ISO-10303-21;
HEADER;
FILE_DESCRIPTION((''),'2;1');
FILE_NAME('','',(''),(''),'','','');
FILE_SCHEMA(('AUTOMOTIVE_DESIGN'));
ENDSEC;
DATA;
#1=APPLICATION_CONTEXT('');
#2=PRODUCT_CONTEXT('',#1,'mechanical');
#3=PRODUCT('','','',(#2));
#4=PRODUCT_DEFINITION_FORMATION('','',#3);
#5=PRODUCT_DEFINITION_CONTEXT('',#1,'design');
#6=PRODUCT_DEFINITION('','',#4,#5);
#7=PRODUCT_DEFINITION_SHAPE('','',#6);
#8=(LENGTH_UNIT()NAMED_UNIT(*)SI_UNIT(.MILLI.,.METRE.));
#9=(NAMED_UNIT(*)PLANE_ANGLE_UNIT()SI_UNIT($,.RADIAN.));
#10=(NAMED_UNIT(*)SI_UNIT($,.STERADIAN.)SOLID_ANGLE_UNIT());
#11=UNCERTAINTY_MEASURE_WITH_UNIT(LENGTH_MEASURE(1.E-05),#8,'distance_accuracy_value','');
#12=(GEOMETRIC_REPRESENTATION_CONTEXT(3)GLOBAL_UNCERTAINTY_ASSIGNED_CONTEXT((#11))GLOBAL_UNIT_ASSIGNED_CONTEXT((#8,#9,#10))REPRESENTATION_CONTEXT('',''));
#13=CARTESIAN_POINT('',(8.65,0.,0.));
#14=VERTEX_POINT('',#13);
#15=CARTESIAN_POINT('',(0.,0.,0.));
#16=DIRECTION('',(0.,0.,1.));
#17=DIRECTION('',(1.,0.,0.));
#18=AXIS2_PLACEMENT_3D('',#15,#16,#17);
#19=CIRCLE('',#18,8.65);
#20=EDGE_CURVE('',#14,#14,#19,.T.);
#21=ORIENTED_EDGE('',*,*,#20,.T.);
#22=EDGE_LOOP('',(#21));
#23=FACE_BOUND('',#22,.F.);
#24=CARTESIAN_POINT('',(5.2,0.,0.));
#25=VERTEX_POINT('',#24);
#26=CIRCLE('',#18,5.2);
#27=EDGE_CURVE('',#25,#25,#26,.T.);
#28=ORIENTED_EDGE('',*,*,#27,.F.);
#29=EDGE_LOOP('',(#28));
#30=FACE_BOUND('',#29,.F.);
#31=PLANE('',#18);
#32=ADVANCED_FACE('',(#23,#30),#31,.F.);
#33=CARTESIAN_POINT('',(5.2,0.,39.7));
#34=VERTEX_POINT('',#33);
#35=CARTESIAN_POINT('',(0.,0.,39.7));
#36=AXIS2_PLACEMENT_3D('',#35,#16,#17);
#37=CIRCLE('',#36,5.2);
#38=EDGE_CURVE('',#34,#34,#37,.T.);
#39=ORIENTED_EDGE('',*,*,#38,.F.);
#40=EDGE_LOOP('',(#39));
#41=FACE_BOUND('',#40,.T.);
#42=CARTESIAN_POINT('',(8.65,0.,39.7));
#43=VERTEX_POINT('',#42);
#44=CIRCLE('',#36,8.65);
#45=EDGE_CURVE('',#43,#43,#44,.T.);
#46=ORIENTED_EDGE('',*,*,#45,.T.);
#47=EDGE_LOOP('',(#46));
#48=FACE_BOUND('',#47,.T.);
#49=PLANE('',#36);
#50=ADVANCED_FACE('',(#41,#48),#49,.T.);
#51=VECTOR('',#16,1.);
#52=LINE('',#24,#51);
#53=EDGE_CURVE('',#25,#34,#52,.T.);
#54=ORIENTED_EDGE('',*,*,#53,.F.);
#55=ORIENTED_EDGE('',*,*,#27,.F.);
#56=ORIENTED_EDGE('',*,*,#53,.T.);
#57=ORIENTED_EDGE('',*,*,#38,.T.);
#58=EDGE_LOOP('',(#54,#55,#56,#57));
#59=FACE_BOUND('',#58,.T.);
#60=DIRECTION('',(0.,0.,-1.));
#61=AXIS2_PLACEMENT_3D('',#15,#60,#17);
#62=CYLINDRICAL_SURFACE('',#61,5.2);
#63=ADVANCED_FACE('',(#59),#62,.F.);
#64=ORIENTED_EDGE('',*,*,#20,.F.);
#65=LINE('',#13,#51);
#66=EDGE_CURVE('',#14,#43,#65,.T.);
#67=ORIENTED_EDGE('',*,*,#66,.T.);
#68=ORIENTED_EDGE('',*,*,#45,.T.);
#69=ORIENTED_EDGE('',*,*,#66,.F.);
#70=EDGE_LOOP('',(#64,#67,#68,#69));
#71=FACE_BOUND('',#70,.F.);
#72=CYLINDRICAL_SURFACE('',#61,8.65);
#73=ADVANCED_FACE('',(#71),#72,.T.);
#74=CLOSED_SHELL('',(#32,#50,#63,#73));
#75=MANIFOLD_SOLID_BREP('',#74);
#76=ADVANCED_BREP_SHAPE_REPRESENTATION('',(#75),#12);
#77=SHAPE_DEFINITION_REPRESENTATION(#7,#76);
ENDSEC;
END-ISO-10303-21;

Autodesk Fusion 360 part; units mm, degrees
sketch "Sketch1" plane through (0, 0, 0) normal (0, 0, 1) x (1, 0, 0)
  circle A0 centre (0, 0) radius 5.2
  circle A1 centre (0, 0) radius 8.65
  dimension "d2" = 10.4
  dimension "d3" = 17.3
extrude "Extrude1" add sketch "Sketch1" along normal blind 39.7
equation "Tolerance = 0.1 mm"
equation "d2 = 10 mm + 4 * Tolerance"
equation "d3 = 17.5 mm - 2 * Tolerance"
